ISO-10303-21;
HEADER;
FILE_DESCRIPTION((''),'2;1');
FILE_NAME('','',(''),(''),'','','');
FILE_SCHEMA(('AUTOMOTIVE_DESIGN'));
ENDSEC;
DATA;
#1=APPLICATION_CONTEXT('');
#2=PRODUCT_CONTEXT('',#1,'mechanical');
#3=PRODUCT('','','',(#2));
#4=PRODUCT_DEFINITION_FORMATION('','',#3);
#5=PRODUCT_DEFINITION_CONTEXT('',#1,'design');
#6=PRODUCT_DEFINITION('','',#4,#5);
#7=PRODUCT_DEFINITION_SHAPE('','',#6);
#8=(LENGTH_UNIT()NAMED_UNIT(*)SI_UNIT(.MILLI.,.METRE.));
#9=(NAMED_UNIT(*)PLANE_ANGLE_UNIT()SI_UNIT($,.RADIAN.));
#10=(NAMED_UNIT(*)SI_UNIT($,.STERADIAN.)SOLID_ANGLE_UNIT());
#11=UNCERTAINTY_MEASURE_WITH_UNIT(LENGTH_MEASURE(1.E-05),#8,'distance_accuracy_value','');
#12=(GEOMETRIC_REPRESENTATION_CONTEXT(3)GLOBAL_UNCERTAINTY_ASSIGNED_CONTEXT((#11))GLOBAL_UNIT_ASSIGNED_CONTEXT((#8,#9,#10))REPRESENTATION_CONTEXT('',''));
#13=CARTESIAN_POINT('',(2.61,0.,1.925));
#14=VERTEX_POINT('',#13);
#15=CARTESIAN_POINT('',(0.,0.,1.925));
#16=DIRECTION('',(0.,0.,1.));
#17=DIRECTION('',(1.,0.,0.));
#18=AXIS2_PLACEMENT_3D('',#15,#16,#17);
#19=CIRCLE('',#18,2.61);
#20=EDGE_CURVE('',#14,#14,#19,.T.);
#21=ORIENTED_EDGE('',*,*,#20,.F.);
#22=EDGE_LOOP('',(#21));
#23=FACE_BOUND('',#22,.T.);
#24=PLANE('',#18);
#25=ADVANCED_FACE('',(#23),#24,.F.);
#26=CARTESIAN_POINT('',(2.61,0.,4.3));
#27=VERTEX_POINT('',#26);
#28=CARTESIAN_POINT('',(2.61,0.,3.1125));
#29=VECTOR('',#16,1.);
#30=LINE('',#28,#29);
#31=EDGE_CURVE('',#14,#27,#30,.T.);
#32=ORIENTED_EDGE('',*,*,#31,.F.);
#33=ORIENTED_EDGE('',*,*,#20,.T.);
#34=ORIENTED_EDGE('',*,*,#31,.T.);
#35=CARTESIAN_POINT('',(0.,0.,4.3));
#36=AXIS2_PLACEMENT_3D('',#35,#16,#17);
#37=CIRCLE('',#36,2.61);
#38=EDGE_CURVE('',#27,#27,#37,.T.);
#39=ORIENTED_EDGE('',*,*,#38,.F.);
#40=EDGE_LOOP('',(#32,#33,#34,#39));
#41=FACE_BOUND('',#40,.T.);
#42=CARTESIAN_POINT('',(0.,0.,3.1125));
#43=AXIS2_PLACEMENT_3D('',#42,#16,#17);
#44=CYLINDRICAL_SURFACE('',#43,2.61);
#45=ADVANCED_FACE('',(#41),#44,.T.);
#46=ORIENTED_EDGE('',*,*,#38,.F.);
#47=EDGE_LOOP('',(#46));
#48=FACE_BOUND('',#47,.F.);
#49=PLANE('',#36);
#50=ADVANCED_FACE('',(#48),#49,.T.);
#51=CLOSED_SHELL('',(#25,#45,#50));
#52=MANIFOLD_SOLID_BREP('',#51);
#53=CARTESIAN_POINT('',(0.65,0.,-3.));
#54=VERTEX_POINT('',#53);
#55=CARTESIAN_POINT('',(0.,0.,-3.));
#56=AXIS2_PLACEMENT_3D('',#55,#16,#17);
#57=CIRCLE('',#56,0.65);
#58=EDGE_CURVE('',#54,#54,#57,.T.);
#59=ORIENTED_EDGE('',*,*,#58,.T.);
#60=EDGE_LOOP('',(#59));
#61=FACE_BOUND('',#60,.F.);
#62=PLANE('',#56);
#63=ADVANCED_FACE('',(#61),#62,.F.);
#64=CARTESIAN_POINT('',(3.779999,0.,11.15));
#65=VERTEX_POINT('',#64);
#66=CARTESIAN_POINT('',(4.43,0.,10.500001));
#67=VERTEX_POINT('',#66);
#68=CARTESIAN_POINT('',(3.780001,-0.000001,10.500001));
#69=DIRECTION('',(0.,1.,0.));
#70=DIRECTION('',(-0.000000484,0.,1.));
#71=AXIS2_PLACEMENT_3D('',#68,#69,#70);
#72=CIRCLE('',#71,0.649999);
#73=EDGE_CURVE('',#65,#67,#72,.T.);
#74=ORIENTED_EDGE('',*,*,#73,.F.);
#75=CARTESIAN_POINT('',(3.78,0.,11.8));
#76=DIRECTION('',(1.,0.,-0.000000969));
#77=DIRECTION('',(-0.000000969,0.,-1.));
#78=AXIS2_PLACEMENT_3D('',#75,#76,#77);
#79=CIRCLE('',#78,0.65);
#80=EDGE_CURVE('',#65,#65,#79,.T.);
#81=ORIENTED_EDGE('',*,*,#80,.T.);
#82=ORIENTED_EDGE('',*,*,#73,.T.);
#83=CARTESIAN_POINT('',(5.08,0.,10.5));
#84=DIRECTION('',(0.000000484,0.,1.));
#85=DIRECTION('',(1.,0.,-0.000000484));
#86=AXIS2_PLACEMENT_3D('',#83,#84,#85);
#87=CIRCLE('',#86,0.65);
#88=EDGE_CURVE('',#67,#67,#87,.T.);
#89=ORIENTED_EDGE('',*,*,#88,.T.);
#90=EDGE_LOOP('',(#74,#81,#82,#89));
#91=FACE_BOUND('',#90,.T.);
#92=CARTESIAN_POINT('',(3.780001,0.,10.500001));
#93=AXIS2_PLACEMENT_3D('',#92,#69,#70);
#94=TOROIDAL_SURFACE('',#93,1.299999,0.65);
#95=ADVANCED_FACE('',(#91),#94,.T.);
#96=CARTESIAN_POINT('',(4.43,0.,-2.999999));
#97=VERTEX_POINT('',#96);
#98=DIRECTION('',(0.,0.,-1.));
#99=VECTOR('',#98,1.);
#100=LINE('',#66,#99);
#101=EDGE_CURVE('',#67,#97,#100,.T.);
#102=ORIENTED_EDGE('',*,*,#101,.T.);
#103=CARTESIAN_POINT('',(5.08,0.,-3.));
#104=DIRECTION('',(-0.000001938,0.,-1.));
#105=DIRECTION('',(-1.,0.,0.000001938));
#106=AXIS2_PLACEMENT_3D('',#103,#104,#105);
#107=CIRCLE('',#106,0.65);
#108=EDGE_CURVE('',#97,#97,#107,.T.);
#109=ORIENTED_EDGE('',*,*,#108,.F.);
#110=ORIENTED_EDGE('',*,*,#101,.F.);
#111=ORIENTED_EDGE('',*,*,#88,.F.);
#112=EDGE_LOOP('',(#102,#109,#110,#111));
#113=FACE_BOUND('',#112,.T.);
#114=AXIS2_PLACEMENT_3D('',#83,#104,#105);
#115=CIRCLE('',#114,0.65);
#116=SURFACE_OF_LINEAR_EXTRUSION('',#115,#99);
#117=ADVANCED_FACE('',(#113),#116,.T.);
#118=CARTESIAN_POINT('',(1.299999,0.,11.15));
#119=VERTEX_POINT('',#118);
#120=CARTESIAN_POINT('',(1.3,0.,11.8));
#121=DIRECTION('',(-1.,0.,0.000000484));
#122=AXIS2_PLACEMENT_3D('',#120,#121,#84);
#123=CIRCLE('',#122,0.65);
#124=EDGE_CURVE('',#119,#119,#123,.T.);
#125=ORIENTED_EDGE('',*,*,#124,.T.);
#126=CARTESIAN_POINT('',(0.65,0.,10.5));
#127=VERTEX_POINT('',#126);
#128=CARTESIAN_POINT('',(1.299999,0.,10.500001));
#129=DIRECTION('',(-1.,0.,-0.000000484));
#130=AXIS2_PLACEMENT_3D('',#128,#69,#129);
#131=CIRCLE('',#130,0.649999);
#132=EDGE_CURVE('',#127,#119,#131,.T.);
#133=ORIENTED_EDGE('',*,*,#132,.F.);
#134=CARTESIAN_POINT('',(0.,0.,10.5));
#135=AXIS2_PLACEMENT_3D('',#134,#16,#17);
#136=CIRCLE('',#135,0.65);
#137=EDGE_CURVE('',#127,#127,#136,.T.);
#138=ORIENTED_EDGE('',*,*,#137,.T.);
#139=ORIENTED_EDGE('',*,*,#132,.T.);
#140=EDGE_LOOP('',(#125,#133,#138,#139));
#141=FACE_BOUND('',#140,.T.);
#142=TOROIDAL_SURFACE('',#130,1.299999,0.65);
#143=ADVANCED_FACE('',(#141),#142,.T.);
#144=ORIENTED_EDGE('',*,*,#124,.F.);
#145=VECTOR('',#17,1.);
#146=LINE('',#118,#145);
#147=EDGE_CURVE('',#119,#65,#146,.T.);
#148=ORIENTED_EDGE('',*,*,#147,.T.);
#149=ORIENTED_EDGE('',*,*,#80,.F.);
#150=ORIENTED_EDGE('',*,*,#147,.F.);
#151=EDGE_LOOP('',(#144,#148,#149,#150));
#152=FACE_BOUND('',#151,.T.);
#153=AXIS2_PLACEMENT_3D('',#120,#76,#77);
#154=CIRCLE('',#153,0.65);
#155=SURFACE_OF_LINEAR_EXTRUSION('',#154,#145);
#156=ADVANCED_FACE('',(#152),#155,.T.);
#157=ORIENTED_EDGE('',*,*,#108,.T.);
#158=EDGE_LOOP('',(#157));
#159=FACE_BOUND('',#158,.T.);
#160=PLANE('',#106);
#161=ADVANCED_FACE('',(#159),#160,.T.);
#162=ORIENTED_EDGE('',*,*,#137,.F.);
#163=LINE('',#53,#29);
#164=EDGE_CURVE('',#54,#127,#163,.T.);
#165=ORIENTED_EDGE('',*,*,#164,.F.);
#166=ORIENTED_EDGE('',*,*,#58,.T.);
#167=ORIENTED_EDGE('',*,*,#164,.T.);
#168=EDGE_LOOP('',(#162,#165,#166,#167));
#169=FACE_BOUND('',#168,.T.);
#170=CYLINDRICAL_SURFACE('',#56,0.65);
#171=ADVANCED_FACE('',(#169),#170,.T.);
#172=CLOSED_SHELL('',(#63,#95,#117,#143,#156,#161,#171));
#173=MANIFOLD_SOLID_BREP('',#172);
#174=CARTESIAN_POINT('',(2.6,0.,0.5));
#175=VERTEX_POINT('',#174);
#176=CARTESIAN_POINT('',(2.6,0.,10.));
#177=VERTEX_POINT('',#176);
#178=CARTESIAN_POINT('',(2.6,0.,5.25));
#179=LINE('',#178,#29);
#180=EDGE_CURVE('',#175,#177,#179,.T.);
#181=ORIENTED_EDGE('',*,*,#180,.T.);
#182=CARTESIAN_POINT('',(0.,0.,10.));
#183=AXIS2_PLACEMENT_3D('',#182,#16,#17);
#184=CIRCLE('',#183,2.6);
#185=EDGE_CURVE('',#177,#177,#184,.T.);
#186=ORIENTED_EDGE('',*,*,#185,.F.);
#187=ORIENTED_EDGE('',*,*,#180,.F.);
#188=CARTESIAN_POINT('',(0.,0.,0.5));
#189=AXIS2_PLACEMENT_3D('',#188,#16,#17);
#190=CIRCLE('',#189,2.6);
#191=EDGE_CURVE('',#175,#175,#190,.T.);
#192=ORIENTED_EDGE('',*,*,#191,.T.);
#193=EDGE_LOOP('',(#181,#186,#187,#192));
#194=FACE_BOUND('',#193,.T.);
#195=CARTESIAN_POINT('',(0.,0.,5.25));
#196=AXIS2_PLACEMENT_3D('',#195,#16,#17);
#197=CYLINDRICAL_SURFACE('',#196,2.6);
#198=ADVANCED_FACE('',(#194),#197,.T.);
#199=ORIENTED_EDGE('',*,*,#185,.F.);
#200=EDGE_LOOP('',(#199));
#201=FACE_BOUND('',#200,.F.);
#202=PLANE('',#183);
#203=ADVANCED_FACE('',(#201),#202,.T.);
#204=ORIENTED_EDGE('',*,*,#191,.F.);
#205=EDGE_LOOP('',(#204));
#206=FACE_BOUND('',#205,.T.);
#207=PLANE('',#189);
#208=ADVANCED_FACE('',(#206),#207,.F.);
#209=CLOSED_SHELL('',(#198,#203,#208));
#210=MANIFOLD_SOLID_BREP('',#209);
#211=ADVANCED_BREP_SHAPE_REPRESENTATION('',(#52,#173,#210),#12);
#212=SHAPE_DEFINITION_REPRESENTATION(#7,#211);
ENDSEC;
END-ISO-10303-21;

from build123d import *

# Parameters (mm, degrees)
SKETCH001_R = 0.65
SKETCH002_W = 2.6
SKETCH002_H = 9.5
SKETCH003_W = 2.61
SKETCH003_H = 2.375


with BuildPart() as sweep_body:
    # Sweep: sweep along a path in Sketch
    with BuildLine(Plane.XZ) as sweep_path:
        Line((0, -3), (0, 10.5))
        ThreePointArc((0, 10.5), (0.380761, 11.419239), (1.3, 11.8))
        Line((1.3, 11.8), (3.78, 11.8))
        ThreePointArc((3.78, 11.8), (4.699239, 11.419239), (5.08, 10.5))
        Line((5.08, 10.5), (5.08, -3))
    # Sketch001 → Sweep (sweep)
    with BuildSketch(Plane.XY):
        Circle(SKETCH001_R)
    sweep(path=sweep_path.line)


with BuildPart() as revolution:
    # Sketch002 → Revolution (revolve)
    with BuildSketch(Plane.XZ):
        with Locations((1.3, 5.25)):
            Rectangle(SKETCH002_W, SKETCH002_H)
    revolve(axis=Axis((0, 0, 0.5), (0, 0, 1)))


with BuildPart() as revolution001:
    # Sketch003 → Revolution001 (revolve)
    with BuildSketch(Plane.XZ):
        with Locations((1.305, 3.1125)):
            Rectangle(SKETCH003_W, SKETCH003_H)
    revolve(axis=Axis((0, 0, 0), (0, 0, 1)))


solid = Compound([sweep_body.part, revolution.part, revolution001.part])
